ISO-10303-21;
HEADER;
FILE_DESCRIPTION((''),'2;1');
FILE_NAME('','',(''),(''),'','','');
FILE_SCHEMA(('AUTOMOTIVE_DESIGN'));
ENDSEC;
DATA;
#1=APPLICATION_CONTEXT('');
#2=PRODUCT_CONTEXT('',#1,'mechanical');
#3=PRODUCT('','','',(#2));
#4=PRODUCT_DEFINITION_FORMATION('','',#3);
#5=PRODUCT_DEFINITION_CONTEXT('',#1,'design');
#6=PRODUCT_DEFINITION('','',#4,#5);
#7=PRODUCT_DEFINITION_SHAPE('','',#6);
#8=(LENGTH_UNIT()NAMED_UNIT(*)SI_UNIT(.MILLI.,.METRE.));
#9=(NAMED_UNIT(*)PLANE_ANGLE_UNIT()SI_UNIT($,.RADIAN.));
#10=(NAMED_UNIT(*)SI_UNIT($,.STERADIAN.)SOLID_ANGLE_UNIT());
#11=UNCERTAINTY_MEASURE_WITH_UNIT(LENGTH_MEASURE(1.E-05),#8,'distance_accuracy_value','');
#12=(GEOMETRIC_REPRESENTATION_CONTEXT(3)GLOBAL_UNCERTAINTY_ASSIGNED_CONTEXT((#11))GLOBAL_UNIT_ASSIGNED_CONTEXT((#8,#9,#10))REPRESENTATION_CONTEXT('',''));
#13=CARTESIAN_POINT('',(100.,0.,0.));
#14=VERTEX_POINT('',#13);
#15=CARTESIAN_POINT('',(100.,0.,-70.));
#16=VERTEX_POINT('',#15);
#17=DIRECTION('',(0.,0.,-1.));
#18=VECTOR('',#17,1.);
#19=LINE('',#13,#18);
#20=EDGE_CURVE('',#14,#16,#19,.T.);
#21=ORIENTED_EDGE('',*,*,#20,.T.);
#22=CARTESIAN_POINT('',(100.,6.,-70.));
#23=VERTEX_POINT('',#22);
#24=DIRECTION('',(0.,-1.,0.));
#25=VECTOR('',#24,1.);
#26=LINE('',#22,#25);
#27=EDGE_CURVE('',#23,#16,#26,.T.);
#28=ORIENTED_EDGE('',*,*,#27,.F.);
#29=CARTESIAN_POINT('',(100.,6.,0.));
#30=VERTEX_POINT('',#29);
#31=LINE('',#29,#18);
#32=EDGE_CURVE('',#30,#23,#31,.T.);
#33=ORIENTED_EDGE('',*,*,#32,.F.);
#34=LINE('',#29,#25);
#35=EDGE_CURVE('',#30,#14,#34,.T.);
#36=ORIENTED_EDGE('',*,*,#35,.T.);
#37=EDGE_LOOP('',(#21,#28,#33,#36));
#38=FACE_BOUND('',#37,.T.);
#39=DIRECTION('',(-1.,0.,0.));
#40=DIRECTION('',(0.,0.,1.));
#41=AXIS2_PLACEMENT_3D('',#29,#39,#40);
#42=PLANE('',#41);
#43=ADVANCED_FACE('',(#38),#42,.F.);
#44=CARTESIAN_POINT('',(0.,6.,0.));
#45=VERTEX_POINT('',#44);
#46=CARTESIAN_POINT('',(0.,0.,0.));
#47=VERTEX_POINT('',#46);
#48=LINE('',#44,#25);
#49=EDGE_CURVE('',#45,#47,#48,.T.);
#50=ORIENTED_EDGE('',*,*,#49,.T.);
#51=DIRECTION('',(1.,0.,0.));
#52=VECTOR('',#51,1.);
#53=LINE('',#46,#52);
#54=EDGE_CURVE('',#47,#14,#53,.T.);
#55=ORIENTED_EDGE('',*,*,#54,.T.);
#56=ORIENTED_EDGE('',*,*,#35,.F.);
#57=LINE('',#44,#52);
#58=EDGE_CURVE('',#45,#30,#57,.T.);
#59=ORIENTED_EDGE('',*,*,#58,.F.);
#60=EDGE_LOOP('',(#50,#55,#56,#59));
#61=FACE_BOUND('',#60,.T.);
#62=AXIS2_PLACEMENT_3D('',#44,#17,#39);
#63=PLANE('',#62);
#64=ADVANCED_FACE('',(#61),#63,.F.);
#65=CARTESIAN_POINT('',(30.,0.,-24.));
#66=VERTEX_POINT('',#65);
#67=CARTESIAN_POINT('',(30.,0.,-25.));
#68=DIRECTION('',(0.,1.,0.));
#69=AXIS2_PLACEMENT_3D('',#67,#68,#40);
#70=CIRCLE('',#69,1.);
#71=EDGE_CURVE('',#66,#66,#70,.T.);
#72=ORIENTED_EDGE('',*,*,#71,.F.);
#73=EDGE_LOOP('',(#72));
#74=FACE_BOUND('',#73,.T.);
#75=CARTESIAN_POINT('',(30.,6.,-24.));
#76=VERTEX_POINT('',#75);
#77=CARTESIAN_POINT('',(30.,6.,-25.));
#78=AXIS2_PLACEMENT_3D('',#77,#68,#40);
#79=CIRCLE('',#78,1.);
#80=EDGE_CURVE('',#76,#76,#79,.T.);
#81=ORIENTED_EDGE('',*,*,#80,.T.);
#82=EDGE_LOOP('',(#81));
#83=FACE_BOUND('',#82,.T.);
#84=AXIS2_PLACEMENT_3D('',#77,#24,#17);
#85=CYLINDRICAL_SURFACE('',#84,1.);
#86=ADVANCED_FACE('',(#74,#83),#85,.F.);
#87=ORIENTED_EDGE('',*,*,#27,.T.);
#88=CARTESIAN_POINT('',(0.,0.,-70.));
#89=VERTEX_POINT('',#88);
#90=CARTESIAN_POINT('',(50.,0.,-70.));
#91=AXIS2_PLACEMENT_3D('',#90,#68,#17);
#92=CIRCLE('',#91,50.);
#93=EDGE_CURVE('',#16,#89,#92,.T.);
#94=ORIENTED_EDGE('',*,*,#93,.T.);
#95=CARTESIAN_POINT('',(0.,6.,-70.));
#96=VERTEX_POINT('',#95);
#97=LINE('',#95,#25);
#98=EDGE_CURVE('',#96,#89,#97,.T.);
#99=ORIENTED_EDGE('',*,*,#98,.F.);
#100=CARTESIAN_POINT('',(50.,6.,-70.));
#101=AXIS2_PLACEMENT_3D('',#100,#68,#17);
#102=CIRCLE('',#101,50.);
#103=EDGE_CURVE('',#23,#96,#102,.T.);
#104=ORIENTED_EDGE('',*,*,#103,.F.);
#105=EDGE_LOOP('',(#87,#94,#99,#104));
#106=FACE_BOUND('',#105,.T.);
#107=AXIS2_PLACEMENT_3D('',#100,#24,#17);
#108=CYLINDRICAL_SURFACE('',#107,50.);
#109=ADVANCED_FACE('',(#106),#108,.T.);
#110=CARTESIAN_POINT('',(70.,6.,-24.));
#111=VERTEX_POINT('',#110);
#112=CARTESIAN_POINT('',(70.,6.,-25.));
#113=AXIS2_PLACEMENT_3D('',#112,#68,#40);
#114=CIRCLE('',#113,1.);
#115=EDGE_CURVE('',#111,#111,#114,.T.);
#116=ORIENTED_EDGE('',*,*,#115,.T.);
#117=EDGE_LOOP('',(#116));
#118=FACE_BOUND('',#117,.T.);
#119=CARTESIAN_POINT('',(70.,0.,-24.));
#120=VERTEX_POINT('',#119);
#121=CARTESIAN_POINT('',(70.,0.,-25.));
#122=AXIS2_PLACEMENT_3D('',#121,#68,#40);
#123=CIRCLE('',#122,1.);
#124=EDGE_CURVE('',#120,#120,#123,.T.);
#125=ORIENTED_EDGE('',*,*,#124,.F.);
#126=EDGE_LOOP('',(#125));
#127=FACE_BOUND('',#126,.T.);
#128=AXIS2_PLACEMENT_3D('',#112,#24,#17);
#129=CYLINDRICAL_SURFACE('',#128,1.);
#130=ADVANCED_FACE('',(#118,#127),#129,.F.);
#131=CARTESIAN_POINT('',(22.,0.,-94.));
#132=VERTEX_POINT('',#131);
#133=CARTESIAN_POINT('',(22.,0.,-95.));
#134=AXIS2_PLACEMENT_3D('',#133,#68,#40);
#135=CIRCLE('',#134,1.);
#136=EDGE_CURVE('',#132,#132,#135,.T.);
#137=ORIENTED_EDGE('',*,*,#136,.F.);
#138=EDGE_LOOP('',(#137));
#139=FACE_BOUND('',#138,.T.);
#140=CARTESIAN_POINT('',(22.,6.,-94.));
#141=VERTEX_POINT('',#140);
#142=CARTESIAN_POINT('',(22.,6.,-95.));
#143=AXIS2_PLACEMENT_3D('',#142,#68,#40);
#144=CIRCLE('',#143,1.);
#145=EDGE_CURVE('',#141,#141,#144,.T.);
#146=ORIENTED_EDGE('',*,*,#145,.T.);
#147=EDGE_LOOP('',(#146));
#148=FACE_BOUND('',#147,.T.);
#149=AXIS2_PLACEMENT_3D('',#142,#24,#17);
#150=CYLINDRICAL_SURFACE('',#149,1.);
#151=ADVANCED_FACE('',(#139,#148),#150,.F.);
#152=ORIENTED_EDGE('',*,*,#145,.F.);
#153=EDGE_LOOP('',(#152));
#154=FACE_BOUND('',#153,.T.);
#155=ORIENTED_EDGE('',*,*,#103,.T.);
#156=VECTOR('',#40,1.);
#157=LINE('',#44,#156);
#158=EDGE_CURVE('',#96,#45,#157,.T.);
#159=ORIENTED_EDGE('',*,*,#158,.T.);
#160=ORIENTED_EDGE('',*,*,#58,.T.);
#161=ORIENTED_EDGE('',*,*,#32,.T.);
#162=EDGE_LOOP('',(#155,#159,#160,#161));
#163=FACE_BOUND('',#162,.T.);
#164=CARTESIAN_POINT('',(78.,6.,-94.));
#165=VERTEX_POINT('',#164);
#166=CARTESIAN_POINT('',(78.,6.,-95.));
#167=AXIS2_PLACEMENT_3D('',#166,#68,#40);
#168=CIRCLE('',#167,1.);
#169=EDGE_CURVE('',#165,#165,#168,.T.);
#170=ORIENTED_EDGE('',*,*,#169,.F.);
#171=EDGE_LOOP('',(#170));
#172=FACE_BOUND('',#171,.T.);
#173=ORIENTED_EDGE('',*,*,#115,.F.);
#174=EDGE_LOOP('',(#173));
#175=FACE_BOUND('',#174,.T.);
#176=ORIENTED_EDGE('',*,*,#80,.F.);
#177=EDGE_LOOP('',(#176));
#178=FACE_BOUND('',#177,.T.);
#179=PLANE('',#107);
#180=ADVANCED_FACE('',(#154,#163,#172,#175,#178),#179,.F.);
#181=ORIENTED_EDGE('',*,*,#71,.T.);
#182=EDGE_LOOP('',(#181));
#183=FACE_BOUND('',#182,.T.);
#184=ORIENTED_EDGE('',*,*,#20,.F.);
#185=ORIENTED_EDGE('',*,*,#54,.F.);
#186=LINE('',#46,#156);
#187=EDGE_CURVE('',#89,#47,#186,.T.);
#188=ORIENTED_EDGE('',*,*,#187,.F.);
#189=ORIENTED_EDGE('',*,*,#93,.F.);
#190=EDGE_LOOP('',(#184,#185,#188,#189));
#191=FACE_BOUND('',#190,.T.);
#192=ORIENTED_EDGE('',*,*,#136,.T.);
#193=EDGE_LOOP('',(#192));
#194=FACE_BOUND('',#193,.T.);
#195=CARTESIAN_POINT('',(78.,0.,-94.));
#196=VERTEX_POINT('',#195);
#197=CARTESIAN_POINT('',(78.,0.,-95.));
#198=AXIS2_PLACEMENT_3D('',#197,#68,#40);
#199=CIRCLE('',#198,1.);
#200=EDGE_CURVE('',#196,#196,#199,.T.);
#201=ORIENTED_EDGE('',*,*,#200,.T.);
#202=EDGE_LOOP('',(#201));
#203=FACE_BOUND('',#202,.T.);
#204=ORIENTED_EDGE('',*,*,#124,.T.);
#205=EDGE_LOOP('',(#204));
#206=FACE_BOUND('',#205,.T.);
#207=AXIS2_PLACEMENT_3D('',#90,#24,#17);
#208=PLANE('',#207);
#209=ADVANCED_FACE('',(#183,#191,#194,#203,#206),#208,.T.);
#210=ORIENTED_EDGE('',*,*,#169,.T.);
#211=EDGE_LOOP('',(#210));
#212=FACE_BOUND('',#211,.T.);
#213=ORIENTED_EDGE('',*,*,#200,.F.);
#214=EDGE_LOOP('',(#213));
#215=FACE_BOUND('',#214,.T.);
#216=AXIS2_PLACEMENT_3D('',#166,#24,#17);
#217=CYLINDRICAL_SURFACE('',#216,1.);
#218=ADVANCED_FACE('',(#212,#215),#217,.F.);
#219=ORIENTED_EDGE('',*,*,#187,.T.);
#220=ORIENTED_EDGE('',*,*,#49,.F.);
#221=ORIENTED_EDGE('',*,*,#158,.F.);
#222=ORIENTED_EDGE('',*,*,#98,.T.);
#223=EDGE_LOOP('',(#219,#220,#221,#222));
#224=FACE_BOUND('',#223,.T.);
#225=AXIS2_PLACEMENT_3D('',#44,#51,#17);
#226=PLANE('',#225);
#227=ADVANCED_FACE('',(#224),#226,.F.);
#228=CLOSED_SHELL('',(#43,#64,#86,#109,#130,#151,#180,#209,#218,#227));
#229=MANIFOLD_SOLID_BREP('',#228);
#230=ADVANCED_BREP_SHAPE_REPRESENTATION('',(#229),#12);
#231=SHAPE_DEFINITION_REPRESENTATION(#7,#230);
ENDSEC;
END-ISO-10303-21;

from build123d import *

# Parameters (mm, degrees)
SKETCH1_R           = 1
BOSS_EXTRUDE1_DEPTH = 6


with BuildPart() as part:
    # Sketch1 → Boss-Extrude1 (new body)
    with BuildSketch(Plane(origin=(0, 0, 0), x_dir=(1, 0, 0), z_dir=(0, 1, 0))):
        with BuildLine():
            Line((0, 0), (100, 0))
            Line((100, 0), (100, 70))
            ThreePointArc((100, 70), (50, 120), (0, 70))
            Line((0, 70), (0, 0))
        make_face()
        with Locations(Location((22, 95, 0), (0, 0, 270))):
            Circle(SKETCH1_R, mode=Mode.SUBTRACT)
        with Locations(Location((78, 95, 0), (0, 0, 270))):
            Circle(SKETCH1_R, mode=Mode.SUBTRACT)
        with Locations(Location((30, 25, 0), (0, 0, 270))):
            Circle(SKETCH1_R, mode=Mode.SUBTRACT)
        with Locations(Location((70, 25, 0), (0, 0, 270))):
            Circle(SKETCH1_R, mode=Mode.SUBTRACT)
    extrude(amount=BOSS_EXTRUDE1_DEPTH)


solid = part.part
